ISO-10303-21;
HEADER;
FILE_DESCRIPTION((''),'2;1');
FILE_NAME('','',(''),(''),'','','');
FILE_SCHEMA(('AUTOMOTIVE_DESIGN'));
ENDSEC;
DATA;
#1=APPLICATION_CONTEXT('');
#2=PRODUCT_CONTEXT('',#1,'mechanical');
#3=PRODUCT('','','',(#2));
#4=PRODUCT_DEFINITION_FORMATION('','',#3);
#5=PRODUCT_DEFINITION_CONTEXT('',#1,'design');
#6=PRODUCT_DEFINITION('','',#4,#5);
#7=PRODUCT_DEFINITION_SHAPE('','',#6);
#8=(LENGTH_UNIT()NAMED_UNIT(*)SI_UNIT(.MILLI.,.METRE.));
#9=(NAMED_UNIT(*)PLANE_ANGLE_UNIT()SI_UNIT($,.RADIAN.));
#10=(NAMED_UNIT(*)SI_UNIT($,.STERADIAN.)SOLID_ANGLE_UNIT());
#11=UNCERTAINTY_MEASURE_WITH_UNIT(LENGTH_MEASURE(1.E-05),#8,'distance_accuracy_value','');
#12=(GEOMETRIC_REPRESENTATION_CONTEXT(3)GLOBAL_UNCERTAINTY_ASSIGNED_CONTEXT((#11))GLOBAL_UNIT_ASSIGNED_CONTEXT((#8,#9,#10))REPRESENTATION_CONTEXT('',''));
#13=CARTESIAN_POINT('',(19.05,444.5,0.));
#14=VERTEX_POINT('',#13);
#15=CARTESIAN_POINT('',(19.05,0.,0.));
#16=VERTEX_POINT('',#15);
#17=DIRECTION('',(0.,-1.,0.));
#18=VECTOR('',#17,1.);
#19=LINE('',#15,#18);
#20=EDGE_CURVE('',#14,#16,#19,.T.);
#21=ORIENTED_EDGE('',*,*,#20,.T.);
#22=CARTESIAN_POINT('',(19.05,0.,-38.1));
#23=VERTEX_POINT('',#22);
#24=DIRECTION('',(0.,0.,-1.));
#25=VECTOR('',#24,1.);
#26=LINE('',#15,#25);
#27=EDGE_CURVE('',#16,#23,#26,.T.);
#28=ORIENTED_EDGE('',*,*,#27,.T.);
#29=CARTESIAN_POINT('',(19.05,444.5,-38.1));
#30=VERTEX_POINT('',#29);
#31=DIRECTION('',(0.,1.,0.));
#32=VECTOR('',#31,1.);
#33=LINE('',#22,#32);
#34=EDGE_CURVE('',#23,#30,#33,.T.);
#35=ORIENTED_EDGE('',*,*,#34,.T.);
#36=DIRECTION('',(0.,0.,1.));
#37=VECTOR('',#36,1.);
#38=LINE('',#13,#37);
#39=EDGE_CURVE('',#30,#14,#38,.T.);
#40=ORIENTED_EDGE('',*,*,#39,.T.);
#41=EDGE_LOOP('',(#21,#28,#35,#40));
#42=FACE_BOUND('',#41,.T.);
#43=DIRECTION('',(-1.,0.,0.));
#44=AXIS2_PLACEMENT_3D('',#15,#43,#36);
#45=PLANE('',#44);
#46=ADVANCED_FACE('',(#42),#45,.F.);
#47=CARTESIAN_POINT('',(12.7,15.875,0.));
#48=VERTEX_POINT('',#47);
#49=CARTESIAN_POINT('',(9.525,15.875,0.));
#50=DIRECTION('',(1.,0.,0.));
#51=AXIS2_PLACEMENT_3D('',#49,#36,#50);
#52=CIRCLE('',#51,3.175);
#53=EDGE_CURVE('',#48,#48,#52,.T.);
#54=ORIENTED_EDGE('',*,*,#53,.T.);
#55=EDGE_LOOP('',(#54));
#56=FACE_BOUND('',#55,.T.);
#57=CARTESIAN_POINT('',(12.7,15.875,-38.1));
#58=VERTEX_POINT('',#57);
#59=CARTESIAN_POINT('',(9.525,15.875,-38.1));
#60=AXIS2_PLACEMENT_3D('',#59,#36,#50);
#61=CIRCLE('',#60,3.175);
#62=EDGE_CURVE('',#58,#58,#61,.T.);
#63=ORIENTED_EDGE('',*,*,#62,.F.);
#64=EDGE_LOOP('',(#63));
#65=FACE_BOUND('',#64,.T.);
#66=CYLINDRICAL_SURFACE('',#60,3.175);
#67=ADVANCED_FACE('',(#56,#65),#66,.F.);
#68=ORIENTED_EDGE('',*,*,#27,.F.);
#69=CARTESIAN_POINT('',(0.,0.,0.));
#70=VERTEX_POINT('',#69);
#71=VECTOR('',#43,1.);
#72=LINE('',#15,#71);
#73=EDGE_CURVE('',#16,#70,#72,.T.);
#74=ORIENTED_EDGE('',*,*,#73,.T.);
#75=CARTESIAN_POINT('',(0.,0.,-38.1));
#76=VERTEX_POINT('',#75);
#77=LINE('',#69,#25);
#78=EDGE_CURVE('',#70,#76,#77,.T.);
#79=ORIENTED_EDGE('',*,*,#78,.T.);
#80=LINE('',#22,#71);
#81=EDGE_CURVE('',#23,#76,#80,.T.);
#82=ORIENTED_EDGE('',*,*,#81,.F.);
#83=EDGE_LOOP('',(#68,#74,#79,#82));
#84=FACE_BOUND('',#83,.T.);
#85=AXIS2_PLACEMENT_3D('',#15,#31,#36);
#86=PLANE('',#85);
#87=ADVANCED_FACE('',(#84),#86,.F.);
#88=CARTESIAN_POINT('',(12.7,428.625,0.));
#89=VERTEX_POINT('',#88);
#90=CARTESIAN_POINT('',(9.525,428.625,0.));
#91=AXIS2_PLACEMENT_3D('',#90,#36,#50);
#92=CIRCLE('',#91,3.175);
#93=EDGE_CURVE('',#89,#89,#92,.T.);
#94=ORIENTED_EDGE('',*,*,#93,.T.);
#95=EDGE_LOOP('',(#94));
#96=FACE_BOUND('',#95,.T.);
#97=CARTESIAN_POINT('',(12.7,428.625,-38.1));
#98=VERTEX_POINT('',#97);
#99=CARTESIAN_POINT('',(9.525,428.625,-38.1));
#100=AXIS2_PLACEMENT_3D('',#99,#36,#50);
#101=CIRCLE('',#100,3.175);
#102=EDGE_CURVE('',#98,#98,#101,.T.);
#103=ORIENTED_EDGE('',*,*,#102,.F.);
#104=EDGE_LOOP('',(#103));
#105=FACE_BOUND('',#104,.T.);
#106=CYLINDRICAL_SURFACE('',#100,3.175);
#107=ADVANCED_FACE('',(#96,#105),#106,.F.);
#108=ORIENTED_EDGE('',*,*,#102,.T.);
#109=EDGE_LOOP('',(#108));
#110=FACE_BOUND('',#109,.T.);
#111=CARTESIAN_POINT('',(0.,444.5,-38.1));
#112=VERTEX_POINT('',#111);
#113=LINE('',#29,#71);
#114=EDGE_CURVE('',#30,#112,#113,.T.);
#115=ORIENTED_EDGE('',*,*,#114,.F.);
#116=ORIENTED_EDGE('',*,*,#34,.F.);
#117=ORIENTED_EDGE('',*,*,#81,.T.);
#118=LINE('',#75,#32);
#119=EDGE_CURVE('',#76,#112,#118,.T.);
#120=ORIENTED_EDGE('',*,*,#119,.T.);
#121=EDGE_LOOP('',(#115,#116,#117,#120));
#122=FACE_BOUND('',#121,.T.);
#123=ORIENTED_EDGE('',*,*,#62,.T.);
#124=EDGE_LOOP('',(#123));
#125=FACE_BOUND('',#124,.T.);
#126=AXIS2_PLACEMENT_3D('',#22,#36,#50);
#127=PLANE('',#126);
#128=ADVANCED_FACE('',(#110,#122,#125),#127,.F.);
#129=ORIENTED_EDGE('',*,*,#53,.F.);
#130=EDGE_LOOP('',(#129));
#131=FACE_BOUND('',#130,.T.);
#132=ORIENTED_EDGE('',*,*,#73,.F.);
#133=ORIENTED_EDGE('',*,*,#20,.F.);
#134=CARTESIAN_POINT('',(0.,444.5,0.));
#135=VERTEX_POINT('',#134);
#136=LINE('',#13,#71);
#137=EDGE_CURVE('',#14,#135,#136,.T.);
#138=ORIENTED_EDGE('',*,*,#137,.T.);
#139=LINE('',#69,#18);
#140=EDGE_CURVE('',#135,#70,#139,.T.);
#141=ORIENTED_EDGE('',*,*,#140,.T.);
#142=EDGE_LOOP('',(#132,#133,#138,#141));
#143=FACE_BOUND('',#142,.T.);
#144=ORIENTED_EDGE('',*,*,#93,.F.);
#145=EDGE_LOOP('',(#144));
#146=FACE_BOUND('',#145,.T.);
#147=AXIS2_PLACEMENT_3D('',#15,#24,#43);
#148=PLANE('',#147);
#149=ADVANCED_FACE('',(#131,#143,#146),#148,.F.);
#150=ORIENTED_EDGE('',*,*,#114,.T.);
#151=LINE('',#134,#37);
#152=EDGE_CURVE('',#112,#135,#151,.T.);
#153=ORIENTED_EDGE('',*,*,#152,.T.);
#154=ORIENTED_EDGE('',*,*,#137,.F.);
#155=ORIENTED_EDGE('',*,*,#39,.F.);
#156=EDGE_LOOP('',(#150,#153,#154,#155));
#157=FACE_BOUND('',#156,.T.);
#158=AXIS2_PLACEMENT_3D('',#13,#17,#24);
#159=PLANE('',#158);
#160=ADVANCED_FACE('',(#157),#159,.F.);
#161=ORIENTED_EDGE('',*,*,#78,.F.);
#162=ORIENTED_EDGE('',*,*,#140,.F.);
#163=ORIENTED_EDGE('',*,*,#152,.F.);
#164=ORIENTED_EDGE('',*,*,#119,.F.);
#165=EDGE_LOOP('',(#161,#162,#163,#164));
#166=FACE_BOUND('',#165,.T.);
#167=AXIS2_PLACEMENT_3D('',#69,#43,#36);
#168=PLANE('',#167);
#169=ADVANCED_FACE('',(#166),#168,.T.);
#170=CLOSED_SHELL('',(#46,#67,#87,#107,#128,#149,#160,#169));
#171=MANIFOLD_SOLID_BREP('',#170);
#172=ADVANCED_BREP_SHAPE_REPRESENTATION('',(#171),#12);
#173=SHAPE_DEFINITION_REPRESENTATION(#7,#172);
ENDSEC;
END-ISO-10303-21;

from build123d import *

# Parameters (mm, degrees)
SKETCH1_W           = 38.1
SKETCH1_H           = 444.5
BOSS_EXTRUDE1_DEPTH = 19.05
SKETCH2_R           = 3.175
CUT_EXTRUDE1_DEPTH  = 39.1


with BuildPart() as part:
    # Sketch1 → Boss-Extrude1 (new body)
    with BuildSketch(Plane(origin=(0, 0, 0), x_dir=(0, 0, -1), z_dir=(1, 0, 0))):
        with Locations((19.05, 222.25)):
            Rectangle(SKETCH1_W, SKETCH1_H)
    extrude(amount=BOSS_EXTRUDE1_DEPTH)

    # Sketch2 → Cut-Extrude1 (cut, through all)
    with BuildSketch(Plane.XY):
        with Locations((9.525, 15.875)):
            Circle(SKETCH2_R)
        with Locations((9.525, 428.625)):
            Circle(SKETCH2_R)
    extrude(amount=-CUT_EXTRUDE1_DEPTH, mode=Mode.SUBTRACT)


solid = part.part
